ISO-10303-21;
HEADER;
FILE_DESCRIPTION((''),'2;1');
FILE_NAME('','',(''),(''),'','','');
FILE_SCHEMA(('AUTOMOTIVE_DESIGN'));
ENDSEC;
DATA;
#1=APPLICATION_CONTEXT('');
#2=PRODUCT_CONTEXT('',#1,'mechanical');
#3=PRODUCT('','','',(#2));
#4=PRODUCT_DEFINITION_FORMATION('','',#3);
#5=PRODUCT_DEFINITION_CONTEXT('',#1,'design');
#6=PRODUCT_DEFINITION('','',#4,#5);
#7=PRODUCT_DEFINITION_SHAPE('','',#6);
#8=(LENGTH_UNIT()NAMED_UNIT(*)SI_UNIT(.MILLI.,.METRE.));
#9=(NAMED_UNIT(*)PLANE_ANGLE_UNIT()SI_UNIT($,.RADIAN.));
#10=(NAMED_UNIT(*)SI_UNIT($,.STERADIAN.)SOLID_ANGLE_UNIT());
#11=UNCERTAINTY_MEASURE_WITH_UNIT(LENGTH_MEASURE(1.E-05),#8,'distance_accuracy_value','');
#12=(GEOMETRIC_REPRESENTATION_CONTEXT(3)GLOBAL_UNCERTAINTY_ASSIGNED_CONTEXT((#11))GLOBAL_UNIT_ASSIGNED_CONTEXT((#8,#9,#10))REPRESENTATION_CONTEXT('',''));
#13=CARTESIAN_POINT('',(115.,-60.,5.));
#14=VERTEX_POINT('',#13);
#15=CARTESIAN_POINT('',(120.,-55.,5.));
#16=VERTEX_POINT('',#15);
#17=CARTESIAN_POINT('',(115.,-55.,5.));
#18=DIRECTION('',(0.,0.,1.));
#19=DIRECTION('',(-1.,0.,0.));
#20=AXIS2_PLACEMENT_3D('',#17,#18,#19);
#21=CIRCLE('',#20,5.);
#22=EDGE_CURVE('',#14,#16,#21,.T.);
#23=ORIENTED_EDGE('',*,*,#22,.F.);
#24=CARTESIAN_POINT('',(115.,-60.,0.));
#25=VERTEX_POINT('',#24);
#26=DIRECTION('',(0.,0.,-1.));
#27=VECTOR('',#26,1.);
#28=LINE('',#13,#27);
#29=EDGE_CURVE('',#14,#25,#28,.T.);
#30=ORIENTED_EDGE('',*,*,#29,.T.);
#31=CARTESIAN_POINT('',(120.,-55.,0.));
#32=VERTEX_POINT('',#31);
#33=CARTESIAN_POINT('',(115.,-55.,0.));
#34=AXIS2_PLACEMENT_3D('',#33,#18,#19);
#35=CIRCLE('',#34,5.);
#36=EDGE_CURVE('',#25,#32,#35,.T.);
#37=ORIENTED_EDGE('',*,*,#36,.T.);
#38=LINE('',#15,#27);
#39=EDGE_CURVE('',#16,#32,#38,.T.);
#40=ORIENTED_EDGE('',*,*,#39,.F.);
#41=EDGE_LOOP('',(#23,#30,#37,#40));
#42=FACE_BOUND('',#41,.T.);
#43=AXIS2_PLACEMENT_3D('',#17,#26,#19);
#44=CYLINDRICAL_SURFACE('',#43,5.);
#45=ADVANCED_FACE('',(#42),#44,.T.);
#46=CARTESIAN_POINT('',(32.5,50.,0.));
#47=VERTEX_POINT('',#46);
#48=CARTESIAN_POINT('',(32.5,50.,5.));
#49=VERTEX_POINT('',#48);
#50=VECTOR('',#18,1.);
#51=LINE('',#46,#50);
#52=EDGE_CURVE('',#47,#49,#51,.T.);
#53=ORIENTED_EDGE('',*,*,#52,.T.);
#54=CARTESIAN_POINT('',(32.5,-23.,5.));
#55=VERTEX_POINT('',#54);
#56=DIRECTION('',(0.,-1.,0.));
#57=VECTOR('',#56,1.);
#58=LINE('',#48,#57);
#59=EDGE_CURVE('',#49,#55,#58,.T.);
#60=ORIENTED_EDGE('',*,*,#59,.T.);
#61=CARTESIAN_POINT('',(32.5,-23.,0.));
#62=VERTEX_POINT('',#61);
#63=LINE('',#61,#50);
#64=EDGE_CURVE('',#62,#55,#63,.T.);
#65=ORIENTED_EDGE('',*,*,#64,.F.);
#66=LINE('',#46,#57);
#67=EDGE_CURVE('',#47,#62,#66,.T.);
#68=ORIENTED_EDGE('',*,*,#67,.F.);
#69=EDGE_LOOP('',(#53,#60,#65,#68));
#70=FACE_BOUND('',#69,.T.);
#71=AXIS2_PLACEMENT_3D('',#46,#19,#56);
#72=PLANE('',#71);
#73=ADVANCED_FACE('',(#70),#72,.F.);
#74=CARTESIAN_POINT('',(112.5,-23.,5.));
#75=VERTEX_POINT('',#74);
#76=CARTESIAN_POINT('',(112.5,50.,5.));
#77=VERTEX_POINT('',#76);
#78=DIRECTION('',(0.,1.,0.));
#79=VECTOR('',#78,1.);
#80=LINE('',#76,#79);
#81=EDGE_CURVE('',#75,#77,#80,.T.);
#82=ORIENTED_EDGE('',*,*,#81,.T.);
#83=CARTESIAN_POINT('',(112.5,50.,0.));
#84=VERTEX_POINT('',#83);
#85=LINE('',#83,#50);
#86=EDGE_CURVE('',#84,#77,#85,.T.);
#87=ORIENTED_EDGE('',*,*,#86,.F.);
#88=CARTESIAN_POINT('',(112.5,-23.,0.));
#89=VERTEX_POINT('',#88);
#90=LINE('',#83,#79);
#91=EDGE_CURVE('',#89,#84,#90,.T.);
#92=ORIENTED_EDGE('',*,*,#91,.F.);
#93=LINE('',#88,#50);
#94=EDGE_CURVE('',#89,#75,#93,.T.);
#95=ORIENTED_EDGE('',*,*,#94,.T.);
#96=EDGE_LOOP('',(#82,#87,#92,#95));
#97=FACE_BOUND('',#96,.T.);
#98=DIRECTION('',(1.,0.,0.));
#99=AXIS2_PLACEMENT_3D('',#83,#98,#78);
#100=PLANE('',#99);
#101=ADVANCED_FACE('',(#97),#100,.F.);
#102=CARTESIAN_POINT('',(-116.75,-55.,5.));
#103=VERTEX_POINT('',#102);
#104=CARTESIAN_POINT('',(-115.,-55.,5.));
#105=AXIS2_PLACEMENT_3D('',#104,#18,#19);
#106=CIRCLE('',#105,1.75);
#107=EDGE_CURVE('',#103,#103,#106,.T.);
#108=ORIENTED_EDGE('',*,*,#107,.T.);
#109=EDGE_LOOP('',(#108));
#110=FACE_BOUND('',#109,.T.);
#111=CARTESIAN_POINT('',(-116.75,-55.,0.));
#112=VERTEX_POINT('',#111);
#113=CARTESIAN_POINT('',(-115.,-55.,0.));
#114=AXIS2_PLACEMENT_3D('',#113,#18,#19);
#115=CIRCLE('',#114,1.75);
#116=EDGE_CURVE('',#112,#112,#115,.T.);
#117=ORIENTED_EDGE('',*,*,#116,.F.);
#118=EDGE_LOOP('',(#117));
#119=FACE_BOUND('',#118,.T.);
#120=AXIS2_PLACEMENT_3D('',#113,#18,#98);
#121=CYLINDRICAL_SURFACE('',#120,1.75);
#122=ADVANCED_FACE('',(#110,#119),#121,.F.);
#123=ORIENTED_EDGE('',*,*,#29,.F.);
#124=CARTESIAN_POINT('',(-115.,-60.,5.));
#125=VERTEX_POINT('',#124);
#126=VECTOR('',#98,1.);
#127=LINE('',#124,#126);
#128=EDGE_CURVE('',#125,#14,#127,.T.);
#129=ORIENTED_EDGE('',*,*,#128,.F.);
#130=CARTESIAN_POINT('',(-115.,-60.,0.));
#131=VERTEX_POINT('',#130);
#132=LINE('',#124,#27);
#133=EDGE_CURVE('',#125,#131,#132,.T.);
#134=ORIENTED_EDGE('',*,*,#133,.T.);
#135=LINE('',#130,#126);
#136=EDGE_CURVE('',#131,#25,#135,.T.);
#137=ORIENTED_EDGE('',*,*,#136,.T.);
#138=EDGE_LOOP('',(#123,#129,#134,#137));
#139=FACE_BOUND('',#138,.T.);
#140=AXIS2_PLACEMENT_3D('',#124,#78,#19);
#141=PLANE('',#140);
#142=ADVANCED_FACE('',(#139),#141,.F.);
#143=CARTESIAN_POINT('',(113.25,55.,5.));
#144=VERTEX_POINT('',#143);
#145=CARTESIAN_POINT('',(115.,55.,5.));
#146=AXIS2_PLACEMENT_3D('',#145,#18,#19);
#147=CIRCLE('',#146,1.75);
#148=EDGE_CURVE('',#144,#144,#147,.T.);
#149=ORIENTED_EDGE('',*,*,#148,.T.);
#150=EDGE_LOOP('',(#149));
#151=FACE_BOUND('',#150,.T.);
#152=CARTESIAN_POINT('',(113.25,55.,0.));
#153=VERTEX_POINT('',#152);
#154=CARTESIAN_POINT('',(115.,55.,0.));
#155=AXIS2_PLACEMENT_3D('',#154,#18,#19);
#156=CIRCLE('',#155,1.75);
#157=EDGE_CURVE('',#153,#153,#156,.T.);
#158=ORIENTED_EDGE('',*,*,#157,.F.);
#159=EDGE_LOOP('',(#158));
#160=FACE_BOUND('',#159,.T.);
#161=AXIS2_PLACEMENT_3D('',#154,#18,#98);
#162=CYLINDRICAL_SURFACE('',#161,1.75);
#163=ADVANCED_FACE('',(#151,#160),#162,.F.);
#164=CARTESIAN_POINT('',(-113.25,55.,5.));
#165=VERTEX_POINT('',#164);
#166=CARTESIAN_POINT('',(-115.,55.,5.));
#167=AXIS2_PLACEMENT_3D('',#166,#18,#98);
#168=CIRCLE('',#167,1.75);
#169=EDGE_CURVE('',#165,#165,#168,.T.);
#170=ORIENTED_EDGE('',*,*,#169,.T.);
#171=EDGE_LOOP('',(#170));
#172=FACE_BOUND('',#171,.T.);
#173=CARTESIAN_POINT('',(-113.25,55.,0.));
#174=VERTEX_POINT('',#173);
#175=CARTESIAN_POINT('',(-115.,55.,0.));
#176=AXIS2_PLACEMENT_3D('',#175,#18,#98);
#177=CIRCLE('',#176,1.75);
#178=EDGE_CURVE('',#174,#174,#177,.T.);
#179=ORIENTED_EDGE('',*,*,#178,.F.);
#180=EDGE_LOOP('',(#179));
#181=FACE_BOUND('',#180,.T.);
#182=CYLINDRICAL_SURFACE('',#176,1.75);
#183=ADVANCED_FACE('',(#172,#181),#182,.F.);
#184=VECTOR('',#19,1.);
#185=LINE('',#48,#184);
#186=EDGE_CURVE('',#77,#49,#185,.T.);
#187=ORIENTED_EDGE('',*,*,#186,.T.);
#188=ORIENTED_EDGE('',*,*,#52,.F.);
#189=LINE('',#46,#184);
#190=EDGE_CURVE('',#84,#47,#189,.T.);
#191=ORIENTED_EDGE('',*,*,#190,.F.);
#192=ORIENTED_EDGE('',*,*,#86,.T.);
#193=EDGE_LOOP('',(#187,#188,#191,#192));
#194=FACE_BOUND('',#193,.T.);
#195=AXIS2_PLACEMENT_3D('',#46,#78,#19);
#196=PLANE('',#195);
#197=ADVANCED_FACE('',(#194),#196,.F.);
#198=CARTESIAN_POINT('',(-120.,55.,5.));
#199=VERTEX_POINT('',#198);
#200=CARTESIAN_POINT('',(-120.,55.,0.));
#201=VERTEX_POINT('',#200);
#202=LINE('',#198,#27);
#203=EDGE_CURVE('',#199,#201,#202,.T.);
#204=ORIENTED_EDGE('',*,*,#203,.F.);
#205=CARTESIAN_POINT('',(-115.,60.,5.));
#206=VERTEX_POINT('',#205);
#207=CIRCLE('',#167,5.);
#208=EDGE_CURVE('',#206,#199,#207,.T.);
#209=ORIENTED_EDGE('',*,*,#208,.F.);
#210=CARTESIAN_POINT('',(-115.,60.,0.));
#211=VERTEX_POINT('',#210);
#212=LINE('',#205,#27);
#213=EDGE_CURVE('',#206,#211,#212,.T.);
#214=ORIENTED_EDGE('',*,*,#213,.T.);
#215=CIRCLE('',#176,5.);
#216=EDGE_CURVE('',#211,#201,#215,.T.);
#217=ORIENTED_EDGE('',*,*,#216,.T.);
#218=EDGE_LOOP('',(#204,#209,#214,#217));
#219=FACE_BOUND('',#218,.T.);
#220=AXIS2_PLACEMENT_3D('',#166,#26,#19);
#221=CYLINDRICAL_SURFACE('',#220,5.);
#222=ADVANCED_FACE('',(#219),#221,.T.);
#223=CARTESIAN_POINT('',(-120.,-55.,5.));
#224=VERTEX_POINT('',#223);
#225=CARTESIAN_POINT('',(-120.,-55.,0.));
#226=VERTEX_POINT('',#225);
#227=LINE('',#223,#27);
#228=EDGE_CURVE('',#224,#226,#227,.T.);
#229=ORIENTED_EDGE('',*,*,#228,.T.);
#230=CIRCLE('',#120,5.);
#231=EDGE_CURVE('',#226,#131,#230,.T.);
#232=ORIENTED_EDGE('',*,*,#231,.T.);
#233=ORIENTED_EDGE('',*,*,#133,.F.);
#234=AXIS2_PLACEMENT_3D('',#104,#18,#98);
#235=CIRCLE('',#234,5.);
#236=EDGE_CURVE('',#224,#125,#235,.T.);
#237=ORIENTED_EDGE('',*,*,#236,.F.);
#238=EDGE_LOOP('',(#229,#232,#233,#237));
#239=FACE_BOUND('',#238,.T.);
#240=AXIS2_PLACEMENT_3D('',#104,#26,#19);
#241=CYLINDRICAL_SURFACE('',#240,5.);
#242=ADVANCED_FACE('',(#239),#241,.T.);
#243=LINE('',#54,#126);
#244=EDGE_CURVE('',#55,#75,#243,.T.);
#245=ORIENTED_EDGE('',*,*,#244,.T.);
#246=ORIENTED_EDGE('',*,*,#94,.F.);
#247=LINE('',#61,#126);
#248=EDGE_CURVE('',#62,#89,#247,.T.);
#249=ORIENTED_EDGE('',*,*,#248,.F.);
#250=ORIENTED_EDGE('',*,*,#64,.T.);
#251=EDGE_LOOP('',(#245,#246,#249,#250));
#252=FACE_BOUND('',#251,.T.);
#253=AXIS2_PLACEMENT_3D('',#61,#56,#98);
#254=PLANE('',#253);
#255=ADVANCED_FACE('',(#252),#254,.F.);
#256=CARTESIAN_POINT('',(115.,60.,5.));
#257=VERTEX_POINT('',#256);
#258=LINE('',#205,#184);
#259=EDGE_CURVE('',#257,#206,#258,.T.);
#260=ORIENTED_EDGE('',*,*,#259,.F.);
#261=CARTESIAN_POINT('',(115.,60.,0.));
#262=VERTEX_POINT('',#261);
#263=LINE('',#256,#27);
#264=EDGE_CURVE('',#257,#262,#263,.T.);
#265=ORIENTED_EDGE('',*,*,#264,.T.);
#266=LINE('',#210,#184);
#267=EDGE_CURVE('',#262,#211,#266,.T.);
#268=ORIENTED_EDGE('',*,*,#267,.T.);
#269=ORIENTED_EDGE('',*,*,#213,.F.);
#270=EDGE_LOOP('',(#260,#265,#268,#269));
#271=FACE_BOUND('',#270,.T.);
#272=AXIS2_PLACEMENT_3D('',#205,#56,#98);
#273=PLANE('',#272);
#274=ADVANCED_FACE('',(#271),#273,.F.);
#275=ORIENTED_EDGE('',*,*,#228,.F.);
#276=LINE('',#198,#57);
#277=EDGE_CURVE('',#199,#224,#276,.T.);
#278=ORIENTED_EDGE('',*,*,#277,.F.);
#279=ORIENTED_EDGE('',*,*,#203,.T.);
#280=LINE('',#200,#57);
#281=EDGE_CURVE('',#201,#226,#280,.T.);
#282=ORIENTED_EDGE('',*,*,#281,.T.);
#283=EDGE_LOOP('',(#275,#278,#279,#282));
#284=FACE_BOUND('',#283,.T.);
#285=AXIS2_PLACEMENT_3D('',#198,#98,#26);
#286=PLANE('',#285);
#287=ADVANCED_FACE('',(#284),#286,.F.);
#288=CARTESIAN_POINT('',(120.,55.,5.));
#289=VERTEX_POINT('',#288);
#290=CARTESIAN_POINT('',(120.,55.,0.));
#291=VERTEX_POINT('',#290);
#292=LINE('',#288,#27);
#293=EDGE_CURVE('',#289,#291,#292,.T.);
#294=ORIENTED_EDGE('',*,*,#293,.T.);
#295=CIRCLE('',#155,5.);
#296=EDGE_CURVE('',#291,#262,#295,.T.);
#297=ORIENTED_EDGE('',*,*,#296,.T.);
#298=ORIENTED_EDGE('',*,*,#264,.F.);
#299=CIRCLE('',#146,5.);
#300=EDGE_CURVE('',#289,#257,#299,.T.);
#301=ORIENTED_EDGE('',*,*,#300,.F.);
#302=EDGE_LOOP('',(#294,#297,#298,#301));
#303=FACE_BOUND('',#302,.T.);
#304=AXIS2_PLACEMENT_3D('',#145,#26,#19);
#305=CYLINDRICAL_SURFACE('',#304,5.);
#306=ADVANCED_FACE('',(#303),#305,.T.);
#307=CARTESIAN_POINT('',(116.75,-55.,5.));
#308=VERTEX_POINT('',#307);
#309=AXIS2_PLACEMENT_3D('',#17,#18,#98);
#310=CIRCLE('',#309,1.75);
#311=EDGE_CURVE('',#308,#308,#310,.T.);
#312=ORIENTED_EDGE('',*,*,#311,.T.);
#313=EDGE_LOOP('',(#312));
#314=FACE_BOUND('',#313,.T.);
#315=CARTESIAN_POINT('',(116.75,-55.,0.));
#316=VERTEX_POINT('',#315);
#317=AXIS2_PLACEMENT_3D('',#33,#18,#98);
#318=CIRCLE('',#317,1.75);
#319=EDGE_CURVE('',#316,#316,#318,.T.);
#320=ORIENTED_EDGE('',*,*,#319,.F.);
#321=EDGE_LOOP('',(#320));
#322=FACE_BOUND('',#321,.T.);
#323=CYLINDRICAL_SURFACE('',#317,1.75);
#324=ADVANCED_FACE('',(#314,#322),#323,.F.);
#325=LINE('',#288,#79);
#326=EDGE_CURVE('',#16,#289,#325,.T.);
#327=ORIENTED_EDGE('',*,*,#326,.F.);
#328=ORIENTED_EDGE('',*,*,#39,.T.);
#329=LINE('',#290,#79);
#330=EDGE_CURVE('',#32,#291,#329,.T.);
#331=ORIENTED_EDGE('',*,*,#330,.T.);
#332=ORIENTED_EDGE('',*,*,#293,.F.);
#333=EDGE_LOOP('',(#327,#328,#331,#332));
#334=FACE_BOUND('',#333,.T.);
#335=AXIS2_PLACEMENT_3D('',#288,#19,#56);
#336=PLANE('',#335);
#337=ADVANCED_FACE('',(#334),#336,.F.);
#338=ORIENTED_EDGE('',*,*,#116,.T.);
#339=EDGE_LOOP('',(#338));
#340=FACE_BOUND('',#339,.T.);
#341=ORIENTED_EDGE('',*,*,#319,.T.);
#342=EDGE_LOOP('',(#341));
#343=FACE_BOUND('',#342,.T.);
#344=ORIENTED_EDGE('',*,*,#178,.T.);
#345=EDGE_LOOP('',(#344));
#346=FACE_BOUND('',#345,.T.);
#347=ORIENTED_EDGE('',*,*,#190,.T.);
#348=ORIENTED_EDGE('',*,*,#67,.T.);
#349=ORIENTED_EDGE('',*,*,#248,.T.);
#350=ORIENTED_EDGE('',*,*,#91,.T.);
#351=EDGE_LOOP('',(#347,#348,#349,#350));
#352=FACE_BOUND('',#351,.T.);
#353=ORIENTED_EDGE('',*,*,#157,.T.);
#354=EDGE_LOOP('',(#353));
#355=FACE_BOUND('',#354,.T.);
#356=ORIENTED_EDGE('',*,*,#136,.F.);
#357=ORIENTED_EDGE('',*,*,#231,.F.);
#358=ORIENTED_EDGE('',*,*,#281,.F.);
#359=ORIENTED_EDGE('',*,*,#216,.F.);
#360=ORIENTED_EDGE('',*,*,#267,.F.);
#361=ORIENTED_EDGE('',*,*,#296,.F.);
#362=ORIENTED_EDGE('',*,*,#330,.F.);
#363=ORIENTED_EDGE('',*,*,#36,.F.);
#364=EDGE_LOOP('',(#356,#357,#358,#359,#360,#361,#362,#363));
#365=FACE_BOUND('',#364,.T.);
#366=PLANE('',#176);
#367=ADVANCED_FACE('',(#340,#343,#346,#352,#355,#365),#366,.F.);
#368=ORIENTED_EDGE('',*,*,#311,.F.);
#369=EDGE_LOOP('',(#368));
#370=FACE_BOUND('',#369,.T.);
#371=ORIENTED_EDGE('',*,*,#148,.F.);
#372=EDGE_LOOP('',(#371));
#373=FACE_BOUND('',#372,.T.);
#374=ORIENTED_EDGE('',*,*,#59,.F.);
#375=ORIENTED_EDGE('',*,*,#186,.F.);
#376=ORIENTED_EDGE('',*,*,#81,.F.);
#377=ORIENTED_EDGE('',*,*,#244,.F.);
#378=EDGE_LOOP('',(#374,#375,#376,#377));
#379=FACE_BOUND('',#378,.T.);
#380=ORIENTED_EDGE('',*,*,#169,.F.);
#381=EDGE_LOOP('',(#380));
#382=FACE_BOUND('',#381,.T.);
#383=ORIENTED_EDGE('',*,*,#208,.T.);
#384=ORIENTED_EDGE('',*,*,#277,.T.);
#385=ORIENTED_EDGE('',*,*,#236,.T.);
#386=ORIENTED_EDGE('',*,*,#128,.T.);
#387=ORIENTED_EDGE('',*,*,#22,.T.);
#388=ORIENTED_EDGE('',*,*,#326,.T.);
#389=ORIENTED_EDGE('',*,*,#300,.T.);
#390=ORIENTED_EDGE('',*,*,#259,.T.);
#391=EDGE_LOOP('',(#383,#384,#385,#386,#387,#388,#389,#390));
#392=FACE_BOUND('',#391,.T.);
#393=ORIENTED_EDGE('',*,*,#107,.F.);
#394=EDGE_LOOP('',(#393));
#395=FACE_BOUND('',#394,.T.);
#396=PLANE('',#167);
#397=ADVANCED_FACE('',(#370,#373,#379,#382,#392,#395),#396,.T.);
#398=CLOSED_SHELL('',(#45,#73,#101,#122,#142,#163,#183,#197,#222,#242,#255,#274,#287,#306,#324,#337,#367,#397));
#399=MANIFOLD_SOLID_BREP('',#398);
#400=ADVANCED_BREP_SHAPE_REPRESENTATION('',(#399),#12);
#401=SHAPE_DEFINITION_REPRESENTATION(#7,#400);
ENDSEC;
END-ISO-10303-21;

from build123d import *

# Parameters (mm, degrees)
BOSS_EXTRUDE1_DEPTH   = 5
SKETCH2_R             = 1.75
LUKNE_M3_VIJAKI_DEPTH = 5
SKETCH3_W             = 80
SKETCH3_H             = 73
CUT_EXTRUDE2_DEPTH    = 5


with BuildPart() as part:
    # Sketch1 → Boss-Extrude1 (new body)
    with BuildSketch(Plane.XY):
        with BuildLine():
            Line((-115, -60), (115, -60))
            ThreePointArc((115, -60), (118.535533906, -58.535533906), (120, -55))
            Line((120, -55), (120, 55))
            ThreePointArc((120, 55), (118.535533906, 58.535533906), (115, 60))
            Line((115, 60), (-115, 60))
            ThreePointArc((-115, 60), (-118.535533906, 58.535533906), (-120, 55))
            Line((-120, 55), (-120, -55))
            ThreePointArc((-120, -55), (-118.535533906, -58.535533906), (-115, -60))
        make_face()
    extrude(amount=BOSS_EXTRUDE1_DEPTH)

    # Sketch2 → lukne_m3_vijaki (cut)
    with BuildSketch(Plane.XY.offset(5)):
        with Locations((-115, 55)):
            Circle(SKETCH2_R)
        with Locations((115, 55)):
            Circle(SKETCH2_R)
        with Locations((115, -55)):
            Circle(SKETCH2_R)
        with Locations((-115, -55)):
            Circle(SKETCH2_R)
    extrude(amount=-LUKNE_M3_VIJAKI_DEPTH, mode=Mode.SUBTRACT)

    # Sketch3 → Cut-Extrude2 (cut)
    with BuildSketch(Plane.XY.offset(5)):
        with Locations((72.5, 13.5)):
            Rectangle(SKETCH3_W, SKETCH3_H)
    extrude(amount=-CUT_EXTRUDE2_DEPTH, mode=Mode.SUBTRACT)


solid = part.part
